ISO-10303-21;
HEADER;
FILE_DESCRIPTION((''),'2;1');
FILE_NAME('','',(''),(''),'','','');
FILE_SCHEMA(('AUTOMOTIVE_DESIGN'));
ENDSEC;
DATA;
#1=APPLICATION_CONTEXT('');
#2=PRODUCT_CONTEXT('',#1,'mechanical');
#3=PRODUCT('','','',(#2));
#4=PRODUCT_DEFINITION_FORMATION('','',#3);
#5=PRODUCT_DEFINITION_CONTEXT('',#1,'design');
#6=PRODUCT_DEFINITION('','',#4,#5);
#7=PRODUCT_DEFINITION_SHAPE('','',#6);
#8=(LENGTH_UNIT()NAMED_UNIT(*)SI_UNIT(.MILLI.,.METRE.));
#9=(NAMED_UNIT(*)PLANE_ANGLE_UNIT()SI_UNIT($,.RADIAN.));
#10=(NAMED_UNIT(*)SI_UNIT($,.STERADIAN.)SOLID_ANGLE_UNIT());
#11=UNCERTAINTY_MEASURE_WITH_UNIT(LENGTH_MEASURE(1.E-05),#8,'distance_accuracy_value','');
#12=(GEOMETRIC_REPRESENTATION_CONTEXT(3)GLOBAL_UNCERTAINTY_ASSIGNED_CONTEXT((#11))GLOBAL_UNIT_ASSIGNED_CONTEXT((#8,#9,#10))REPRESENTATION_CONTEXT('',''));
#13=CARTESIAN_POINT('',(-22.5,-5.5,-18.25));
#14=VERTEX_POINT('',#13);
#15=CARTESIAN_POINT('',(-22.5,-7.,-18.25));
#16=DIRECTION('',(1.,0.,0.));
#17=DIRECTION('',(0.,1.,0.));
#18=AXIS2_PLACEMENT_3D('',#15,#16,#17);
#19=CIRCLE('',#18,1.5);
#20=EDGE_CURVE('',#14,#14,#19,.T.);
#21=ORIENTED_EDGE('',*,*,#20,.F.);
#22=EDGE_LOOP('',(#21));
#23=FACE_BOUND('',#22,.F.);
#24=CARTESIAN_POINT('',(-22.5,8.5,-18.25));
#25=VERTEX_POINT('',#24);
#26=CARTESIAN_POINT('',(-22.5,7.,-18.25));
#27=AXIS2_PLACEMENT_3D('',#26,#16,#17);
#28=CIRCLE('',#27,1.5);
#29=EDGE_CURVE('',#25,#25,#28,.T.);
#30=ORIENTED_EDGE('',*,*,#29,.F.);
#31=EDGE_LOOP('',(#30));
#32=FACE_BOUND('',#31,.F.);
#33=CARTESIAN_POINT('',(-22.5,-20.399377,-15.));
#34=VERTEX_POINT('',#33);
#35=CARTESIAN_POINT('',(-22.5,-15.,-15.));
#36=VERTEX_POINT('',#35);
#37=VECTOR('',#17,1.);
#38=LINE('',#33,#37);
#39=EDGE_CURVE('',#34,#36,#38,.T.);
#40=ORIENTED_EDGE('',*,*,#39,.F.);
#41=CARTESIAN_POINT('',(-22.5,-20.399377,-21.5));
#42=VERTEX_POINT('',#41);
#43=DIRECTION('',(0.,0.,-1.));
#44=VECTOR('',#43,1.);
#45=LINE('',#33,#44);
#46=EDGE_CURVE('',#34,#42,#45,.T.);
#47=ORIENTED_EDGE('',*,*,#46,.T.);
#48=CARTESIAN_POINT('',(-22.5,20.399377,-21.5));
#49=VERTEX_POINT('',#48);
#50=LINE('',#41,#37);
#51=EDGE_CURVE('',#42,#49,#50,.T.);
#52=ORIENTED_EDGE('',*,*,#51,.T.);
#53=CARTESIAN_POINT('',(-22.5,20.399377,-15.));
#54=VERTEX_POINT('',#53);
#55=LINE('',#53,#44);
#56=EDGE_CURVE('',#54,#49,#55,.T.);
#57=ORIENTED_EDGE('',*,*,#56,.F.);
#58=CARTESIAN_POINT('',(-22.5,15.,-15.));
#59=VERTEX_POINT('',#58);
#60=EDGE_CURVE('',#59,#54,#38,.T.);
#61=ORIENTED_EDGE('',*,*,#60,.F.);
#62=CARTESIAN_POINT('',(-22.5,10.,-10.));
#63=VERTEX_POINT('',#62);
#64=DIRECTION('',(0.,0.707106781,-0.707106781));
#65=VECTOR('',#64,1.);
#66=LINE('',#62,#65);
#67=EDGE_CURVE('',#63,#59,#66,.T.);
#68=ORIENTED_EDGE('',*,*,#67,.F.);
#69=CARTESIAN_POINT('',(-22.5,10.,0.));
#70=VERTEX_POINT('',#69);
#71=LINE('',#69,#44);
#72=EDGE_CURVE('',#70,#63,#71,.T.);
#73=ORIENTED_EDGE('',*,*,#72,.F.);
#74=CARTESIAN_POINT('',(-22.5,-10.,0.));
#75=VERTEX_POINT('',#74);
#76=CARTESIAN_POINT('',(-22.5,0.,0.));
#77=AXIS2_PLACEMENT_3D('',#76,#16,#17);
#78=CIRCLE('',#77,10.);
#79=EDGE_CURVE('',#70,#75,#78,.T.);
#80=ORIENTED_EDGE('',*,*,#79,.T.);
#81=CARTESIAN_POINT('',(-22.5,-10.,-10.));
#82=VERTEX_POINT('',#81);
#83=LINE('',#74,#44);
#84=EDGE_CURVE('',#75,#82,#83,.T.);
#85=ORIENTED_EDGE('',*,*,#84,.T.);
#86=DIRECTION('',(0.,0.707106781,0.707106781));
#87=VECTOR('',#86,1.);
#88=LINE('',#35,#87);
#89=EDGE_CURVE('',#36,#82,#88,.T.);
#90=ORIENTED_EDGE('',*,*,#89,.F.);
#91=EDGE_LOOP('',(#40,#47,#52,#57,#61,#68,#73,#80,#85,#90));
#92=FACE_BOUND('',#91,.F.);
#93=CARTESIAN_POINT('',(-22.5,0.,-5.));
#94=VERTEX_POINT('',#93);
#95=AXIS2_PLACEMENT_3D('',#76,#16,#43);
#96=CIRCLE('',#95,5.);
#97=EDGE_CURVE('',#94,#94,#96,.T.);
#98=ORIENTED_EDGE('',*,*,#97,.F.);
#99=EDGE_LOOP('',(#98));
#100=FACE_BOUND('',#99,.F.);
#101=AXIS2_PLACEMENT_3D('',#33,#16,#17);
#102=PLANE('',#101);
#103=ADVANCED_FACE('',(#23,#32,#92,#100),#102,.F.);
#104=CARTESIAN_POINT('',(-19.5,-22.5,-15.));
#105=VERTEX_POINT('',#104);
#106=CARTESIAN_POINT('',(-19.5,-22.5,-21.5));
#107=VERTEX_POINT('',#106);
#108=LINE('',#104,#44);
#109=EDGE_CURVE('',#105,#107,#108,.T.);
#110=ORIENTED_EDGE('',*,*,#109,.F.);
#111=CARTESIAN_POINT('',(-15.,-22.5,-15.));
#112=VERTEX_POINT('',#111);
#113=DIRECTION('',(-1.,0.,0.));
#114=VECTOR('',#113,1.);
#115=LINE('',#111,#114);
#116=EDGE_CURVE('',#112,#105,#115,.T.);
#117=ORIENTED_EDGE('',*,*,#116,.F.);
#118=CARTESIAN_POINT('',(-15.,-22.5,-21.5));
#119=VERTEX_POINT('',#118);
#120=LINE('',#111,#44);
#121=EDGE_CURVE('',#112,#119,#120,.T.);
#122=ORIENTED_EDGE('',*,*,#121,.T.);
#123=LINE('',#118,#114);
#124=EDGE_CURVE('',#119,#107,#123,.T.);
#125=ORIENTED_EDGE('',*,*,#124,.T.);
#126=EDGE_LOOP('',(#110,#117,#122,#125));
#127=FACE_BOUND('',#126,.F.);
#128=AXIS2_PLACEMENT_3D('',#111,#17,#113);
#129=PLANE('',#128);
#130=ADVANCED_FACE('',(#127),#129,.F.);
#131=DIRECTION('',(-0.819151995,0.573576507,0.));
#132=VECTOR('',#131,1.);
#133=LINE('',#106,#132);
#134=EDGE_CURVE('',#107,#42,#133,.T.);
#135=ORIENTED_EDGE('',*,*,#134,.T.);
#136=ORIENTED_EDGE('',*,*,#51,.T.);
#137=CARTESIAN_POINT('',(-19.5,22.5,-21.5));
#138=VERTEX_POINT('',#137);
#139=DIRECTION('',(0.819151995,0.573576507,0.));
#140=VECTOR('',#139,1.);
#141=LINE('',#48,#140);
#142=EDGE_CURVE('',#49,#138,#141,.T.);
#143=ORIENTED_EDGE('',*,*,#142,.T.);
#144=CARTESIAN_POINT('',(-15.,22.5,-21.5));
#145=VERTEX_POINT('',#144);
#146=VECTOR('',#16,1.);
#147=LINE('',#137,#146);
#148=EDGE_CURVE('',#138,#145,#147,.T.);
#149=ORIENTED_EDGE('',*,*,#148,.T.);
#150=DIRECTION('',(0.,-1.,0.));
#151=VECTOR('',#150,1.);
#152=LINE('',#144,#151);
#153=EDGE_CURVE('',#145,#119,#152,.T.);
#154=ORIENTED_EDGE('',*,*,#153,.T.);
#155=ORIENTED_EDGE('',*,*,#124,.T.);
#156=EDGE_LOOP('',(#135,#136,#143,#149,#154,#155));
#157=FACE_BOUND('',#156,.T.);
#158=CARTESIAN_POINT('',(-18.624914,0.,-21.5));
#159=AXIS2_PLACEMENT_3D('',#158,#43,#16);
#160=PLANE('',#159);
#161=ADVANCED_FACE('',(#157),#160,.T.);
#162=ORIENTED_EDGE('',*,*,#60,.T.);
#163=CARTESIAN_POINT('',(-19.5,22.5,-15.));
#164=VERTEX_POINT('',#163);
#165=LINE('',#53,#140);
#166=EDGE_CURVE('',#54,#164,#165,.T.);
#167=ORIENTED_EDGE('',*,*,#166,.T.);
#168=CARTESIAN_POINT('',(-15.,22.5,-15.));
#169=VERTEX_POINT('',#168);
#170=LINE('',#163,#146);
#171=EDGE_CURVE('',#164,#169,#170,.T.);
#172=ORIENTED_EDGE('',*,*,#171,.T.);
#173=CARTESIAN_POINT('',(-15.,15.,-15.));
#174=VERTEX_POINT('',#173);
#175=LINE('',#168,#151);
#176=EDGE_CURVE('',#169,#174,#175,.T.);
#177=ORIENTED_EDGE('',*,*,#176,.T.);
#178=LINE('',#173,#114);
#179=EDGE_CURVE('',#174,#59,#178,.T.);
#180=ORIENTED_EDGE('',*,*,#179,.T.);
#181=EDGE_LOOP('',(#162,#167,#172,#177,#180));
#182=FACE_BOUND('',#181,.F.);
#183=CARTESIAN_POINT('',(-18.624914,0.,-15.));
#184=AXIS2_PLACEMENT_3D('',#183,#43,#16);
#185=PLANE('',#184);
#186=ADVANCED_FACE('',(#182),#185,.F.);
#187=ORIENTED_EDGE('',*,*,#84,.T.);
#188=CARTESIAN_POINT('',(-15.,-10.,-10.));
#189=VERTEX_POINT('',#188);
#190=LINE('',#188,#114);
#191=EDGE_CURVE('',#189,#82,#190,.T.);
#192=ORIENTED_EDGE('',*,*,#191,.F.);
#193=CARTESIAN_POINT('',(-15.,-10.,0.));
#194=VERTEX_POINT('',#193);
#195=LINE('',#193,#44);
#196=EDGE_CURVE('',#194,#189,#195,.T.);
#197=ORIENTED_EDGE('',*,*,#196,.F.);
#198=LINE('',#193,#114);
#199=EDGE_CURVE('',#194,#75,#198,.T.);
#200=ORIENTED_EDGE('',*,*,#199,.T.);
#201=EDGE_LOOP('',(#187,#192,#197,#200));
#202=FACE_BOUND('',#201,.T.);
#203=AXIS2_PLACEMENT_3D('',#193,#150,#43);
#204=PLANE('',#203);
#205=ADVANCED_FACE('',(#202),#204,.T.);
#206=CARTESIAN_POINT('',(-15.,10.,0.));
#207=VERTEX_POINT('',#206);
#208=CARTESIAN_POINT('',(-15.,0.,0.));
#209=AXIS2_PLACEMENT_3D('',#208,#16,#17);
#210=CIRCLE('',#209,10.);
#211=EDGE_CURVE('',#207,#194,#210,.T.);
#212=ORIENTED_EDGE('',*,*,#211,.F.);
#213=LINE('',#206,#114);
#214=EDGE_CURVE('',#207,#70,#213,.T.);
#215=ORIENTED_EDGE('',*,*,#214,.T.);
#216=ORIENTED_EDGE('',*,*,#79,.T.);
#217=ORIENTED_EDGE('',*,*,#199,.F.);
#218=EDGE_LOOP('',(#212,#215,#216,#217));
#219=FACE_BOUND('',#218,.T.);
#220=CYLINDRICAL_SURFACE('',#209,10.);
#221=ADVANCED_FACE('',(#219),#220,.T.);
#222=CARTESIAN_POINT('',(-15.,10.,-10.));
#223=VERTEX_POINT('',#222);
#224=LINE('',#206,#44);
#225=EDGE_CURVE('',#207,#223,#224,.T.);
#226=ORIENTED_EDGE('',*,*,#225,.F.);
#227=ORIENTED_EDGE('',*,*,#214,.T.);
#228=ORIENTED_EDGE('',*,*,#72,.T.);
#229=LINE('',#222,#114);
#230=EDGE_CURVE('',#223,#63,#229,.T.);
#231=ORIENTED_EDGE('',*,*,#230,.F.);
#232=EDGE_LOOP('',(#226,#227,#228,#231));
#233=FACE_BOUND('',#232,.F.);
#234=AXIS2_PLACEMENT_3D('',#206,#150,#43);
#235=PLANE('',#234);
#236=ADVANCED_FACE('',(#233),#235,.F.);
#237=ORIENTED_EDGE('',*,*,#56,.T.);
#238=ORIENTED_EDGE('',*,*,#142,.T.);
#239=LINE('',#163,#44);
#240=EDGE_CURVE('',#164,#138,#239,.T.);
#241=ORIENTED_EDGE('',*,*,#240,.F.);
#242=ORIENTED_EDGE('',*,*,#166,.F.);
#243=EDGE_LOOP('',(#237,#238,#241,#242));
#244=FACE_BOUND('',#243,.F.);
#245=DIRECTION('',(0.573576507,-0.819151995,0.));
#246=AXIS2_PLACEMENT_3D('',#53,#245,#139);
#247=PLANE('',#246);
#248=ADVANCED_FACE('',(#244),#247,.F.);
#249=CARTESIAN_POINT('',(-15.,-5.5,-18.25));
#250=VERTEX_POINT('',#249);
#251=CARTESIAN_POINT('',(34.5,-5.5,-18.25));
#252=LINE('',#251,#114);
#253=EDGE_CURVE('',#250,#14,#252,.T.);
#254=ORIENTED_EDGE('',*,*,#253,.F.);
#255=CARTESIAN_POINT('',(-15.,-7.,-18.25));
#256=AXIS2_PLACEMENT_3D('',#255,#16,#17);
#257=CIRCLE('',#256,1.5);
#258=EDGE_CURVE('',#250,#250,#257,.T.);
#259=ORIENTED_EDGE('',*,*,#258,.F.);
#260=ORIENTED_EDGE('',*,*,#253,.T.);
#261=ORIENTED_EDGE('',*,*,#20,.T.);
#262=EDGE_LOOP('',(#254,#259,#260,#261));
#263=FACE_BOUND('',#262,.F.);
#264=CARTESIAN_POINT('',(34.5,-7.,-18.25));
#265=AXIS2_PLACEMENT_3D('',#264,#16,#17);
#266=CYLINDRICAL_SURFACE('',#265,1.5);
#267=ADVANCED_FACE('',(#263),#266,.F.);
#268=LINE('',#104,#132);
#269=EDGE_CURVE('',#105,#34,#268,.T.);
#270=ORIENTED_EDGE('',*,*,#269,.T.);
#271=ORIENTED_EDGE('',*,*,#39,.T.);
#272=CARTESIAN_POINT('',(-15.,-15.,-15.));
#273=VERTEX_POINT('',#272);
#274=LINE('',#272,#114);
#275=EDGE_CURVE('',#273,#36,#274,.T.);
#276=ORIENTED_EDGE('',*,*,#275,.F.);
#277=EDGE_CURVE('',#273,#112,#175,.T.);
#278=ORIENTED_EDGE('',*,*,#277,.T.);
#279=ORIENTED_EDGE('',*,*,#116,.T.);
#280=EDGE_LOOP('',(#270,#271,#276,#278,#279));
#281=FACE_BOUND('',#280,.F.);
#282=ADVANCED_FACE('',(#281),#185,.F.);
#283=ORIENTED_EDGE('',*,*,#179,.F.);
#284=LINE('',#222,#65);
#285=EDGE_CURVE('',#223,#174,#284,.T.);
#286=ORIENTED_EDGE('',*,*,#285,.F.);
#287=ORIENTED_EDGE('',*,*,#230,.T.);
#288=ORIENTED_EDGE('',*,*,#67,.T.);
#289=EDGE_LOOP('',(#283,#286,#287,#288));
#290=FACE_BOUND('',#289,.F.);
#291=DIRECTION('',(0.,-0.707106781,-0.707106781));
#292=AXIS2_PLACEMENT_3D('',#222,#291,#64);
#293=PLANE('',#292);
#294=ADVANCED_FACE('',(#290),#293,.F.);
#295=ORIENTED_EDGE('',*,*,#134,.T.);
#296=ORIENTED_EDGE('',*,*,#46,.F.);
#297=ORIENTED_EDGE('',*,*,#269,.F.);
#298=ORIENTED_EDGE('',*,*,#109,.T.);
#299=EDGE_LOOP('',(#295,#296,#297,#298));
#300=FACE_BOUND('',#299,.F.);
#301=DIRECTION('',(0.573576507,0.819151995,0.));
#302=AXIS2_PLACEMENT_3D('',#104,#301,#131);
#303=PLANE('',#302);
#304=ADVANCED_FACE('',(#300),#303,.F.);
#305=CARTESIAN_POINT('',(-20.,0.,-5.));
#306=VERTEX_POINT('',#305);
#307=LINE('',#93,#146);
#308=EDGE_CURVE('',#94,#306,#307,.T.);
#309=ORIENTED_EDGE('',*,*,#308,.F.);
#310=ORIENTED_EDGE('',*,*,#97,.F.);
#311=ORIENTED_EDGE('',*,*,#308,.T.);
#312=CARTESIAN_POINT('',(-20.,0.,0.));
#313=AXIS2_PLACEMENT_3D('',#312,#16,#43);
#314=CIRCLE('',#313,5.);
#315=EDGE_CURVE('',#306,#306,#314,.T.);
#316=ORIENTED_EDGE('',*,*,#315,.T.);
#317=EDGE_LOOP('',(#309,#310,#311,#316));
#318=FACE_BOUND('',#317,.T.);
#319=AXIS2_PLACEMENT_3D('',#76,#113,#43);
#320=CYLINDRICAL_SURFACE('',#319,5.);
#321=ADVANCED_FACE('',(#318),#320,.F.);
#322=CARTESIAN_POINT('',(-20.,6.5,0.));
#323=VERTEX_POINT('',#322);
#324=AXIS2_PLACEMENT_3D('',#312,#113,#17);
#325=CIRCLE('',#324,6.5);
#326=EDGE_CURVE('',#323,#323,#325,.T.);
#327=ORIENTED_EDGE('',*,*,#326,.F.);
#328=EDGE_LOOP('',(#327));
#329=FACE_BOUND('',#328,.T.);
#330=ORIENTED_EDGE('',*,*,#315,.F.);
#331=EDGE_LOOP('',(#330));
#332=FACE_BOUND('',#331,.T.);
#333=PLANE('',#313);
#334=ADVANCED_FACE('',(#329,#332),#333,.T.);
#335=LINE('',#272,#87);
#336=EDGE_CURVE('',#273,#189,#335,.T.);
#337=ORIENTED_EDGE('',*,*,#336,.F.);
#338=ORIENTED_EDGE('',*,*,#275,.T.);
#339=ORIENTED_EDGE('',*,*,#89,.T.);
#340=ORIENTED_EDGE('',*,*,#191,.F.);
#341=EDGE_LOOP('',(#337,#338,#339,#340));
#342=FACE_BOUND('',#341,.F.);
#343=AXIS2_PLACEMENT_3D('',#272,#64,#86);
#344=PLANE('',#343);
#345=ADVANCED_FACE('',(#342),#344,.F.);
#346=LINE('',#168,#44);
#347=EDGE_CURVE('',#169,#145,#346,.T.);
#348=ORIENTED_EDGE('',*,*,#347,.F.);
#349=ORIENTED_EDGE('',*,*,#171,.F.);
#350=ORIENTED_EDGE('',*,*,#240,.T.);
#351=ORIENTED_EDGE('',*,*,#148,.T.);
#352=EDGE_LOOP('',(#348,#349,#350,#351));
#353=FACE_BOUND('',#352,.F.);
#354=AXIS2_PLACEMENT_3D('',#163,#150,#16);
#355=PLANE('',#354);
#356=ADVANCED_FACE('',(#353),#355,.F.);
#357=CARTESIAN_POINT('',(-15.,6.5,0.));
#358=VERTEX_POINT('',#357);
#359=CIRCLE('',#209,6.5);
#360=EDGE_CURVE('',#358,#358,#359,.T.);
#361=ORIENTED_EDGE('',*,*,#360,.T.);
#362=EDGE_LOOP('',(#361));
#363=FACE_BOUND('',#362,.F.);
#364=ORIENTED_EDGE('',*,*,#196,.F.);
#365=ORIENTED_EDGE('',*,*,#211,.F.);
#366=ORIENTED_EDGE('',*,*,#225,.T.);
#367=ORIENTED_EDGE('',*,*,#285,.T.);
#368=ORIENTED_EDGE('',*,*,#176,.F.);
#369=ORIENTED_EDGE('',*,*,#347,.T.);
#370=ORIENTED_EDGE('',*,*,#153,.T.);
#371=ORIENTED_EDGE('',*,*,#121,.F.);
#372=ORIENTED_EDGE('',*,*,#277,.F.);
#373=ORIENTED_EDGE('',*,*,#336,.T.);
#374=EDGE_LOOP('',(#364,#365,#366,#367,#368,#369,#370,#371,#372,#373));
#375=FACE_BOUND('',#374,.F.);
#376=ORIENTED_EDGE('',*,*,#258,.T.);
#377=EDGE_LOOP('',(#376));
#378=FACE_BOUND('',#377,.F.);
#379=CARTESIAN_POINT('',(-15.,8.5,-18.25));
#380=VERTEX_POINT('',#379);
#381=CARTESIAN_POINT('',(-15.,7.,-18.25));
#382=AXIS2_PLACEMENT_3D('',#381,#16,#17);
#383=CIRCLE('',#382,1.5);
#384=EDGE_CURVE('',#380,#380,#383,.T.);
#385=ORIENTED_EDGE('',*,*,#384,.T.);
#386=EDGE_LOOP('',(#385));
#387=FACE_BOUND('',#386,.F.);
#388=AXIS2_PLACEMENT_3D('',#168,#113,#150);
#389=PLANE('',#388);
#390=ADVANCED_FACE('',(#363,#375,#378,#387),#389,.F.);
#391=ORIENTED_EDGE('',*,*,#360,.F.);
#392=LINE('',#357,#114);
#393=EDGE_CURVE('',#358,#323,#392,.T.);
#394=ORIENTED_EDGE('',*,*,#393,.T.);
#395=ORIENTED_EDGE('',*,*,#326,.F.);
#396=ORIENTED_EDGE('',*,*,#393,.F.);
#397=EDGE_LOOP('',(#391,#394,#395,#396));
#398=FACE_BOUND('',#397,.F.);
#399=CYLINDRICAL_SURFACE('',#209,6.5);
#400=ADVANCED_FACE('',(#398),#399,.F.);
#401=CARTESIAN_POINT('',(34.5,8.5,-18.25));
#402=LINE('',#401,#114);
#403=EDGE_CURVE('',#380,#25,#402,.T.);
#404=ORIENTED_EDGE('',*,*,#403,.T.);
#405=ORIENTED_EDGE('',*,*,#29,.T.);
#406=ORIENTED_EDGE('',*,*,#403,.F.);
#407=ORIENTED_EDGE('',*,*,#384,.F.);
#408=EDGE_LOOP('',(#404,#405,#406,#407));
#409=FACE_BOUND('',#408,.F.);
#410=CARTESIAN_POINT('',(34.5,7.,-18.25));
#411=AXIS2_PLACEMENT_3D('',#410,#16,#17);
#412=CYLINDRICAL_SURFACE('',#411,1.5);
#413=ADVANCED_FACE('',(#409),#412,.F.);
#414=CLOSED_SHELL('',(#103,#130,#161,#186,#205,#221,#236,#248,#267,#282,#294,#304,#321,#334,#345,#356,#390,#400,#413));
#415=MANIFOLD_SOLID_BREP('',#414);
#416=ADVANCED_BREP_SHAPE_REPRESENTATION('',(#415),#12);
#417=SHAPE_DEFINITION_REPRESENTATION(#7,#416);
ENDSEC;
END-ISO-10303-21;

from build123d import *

# Parameters (mm, degrees)
SKETCH001_R      = 6.5
EXTRUDE001_DEPTH = 7.5
TUBE003_R        = 6.5
TUBE003_R_2      = 5
TUBE003_DEPTH    = 2.5
SKETCH024_R      = 1.5
EXTRUDE016_DEPTH = 100
EXTRUDE007_DEPTH = 6.5


with BuildPart() as extrude001:
    # Sketch001 (on Tube) → Extrude001 (new body)
    with BuildSketch(Plane.YZ):
        with BuildLine():
            ThreePointArc((10, 0), (0, 10), (-10, 0))
            Line((-10, 0), (-10, -10))
            Line((-15, -15), (-10, -10))
            Line((-15, -15), (15, -15))
            Line((10, -10), (15, -15))
            Line((10, 0), (10, -10))
        make_face()
        Circle(SKETCH001_R, mode=Mode.SUBTRACT)
    extrude(amount=-EXTRUDE001_DEPTH)


with BuildPart() as extrude001_1:
    # Extrude001 placement: moved
    add(extrude001.part.moved(Location((-15, 0, 0))))


with BuildPart() as fusion001:
    # Tube003 → Tube003 (new body)
    with BuildSketch(Plane(origin=(-22.5, 0, 0), x_dir=(0, 0, -1), z_dir=(1, 0, 0))):
        Circle(TUBE003_R)
        Circle(TUBE003_R_2, mode=Mode.SUBTRACT)
    extrude(amount=TUBE003_DEPTH)

    # Fusion001: union Extrude001
    add(extrude001_1.part)


with BuildPart() as extrude016:
    # Sketch024 → Extrude016 (new body)
    with BuildSketch(Plane.YZ.offset(34.5)):
        with Locations((-7, -18.25)):
            Circle(SKETCH024_R)
        with Locations((7, -18.25)):
            Circle(SKETCH024_R)
    extrude(amount=-EXTRUDE016_DEPTH)


with BuildPart() as fusion005:
    # Sketch014 (on Face7 of Fusion001) → Extrude007 (new body)
    with BuildSketch(Plane(origin=(0, 0, -15), x_dir=(1, 0, 0), z_dir=(0, 0, -1))):
        Polygon((-22.5, 20.399377), (-22.5, -20.399377), (-19.5, -22.5), (-15, -22.5), (-15, 22.5), (-19.5, 22.5), align=None)
    extrude(amount=EXTRUDE007_DEPTH)

    # Cut005: cut Extrude016
    add(extrude016.part, mode=Mode.SUBTRACT)

    # Fusion005: union Fusion001
    add(fusion001.part)


solid = fusion005.part
